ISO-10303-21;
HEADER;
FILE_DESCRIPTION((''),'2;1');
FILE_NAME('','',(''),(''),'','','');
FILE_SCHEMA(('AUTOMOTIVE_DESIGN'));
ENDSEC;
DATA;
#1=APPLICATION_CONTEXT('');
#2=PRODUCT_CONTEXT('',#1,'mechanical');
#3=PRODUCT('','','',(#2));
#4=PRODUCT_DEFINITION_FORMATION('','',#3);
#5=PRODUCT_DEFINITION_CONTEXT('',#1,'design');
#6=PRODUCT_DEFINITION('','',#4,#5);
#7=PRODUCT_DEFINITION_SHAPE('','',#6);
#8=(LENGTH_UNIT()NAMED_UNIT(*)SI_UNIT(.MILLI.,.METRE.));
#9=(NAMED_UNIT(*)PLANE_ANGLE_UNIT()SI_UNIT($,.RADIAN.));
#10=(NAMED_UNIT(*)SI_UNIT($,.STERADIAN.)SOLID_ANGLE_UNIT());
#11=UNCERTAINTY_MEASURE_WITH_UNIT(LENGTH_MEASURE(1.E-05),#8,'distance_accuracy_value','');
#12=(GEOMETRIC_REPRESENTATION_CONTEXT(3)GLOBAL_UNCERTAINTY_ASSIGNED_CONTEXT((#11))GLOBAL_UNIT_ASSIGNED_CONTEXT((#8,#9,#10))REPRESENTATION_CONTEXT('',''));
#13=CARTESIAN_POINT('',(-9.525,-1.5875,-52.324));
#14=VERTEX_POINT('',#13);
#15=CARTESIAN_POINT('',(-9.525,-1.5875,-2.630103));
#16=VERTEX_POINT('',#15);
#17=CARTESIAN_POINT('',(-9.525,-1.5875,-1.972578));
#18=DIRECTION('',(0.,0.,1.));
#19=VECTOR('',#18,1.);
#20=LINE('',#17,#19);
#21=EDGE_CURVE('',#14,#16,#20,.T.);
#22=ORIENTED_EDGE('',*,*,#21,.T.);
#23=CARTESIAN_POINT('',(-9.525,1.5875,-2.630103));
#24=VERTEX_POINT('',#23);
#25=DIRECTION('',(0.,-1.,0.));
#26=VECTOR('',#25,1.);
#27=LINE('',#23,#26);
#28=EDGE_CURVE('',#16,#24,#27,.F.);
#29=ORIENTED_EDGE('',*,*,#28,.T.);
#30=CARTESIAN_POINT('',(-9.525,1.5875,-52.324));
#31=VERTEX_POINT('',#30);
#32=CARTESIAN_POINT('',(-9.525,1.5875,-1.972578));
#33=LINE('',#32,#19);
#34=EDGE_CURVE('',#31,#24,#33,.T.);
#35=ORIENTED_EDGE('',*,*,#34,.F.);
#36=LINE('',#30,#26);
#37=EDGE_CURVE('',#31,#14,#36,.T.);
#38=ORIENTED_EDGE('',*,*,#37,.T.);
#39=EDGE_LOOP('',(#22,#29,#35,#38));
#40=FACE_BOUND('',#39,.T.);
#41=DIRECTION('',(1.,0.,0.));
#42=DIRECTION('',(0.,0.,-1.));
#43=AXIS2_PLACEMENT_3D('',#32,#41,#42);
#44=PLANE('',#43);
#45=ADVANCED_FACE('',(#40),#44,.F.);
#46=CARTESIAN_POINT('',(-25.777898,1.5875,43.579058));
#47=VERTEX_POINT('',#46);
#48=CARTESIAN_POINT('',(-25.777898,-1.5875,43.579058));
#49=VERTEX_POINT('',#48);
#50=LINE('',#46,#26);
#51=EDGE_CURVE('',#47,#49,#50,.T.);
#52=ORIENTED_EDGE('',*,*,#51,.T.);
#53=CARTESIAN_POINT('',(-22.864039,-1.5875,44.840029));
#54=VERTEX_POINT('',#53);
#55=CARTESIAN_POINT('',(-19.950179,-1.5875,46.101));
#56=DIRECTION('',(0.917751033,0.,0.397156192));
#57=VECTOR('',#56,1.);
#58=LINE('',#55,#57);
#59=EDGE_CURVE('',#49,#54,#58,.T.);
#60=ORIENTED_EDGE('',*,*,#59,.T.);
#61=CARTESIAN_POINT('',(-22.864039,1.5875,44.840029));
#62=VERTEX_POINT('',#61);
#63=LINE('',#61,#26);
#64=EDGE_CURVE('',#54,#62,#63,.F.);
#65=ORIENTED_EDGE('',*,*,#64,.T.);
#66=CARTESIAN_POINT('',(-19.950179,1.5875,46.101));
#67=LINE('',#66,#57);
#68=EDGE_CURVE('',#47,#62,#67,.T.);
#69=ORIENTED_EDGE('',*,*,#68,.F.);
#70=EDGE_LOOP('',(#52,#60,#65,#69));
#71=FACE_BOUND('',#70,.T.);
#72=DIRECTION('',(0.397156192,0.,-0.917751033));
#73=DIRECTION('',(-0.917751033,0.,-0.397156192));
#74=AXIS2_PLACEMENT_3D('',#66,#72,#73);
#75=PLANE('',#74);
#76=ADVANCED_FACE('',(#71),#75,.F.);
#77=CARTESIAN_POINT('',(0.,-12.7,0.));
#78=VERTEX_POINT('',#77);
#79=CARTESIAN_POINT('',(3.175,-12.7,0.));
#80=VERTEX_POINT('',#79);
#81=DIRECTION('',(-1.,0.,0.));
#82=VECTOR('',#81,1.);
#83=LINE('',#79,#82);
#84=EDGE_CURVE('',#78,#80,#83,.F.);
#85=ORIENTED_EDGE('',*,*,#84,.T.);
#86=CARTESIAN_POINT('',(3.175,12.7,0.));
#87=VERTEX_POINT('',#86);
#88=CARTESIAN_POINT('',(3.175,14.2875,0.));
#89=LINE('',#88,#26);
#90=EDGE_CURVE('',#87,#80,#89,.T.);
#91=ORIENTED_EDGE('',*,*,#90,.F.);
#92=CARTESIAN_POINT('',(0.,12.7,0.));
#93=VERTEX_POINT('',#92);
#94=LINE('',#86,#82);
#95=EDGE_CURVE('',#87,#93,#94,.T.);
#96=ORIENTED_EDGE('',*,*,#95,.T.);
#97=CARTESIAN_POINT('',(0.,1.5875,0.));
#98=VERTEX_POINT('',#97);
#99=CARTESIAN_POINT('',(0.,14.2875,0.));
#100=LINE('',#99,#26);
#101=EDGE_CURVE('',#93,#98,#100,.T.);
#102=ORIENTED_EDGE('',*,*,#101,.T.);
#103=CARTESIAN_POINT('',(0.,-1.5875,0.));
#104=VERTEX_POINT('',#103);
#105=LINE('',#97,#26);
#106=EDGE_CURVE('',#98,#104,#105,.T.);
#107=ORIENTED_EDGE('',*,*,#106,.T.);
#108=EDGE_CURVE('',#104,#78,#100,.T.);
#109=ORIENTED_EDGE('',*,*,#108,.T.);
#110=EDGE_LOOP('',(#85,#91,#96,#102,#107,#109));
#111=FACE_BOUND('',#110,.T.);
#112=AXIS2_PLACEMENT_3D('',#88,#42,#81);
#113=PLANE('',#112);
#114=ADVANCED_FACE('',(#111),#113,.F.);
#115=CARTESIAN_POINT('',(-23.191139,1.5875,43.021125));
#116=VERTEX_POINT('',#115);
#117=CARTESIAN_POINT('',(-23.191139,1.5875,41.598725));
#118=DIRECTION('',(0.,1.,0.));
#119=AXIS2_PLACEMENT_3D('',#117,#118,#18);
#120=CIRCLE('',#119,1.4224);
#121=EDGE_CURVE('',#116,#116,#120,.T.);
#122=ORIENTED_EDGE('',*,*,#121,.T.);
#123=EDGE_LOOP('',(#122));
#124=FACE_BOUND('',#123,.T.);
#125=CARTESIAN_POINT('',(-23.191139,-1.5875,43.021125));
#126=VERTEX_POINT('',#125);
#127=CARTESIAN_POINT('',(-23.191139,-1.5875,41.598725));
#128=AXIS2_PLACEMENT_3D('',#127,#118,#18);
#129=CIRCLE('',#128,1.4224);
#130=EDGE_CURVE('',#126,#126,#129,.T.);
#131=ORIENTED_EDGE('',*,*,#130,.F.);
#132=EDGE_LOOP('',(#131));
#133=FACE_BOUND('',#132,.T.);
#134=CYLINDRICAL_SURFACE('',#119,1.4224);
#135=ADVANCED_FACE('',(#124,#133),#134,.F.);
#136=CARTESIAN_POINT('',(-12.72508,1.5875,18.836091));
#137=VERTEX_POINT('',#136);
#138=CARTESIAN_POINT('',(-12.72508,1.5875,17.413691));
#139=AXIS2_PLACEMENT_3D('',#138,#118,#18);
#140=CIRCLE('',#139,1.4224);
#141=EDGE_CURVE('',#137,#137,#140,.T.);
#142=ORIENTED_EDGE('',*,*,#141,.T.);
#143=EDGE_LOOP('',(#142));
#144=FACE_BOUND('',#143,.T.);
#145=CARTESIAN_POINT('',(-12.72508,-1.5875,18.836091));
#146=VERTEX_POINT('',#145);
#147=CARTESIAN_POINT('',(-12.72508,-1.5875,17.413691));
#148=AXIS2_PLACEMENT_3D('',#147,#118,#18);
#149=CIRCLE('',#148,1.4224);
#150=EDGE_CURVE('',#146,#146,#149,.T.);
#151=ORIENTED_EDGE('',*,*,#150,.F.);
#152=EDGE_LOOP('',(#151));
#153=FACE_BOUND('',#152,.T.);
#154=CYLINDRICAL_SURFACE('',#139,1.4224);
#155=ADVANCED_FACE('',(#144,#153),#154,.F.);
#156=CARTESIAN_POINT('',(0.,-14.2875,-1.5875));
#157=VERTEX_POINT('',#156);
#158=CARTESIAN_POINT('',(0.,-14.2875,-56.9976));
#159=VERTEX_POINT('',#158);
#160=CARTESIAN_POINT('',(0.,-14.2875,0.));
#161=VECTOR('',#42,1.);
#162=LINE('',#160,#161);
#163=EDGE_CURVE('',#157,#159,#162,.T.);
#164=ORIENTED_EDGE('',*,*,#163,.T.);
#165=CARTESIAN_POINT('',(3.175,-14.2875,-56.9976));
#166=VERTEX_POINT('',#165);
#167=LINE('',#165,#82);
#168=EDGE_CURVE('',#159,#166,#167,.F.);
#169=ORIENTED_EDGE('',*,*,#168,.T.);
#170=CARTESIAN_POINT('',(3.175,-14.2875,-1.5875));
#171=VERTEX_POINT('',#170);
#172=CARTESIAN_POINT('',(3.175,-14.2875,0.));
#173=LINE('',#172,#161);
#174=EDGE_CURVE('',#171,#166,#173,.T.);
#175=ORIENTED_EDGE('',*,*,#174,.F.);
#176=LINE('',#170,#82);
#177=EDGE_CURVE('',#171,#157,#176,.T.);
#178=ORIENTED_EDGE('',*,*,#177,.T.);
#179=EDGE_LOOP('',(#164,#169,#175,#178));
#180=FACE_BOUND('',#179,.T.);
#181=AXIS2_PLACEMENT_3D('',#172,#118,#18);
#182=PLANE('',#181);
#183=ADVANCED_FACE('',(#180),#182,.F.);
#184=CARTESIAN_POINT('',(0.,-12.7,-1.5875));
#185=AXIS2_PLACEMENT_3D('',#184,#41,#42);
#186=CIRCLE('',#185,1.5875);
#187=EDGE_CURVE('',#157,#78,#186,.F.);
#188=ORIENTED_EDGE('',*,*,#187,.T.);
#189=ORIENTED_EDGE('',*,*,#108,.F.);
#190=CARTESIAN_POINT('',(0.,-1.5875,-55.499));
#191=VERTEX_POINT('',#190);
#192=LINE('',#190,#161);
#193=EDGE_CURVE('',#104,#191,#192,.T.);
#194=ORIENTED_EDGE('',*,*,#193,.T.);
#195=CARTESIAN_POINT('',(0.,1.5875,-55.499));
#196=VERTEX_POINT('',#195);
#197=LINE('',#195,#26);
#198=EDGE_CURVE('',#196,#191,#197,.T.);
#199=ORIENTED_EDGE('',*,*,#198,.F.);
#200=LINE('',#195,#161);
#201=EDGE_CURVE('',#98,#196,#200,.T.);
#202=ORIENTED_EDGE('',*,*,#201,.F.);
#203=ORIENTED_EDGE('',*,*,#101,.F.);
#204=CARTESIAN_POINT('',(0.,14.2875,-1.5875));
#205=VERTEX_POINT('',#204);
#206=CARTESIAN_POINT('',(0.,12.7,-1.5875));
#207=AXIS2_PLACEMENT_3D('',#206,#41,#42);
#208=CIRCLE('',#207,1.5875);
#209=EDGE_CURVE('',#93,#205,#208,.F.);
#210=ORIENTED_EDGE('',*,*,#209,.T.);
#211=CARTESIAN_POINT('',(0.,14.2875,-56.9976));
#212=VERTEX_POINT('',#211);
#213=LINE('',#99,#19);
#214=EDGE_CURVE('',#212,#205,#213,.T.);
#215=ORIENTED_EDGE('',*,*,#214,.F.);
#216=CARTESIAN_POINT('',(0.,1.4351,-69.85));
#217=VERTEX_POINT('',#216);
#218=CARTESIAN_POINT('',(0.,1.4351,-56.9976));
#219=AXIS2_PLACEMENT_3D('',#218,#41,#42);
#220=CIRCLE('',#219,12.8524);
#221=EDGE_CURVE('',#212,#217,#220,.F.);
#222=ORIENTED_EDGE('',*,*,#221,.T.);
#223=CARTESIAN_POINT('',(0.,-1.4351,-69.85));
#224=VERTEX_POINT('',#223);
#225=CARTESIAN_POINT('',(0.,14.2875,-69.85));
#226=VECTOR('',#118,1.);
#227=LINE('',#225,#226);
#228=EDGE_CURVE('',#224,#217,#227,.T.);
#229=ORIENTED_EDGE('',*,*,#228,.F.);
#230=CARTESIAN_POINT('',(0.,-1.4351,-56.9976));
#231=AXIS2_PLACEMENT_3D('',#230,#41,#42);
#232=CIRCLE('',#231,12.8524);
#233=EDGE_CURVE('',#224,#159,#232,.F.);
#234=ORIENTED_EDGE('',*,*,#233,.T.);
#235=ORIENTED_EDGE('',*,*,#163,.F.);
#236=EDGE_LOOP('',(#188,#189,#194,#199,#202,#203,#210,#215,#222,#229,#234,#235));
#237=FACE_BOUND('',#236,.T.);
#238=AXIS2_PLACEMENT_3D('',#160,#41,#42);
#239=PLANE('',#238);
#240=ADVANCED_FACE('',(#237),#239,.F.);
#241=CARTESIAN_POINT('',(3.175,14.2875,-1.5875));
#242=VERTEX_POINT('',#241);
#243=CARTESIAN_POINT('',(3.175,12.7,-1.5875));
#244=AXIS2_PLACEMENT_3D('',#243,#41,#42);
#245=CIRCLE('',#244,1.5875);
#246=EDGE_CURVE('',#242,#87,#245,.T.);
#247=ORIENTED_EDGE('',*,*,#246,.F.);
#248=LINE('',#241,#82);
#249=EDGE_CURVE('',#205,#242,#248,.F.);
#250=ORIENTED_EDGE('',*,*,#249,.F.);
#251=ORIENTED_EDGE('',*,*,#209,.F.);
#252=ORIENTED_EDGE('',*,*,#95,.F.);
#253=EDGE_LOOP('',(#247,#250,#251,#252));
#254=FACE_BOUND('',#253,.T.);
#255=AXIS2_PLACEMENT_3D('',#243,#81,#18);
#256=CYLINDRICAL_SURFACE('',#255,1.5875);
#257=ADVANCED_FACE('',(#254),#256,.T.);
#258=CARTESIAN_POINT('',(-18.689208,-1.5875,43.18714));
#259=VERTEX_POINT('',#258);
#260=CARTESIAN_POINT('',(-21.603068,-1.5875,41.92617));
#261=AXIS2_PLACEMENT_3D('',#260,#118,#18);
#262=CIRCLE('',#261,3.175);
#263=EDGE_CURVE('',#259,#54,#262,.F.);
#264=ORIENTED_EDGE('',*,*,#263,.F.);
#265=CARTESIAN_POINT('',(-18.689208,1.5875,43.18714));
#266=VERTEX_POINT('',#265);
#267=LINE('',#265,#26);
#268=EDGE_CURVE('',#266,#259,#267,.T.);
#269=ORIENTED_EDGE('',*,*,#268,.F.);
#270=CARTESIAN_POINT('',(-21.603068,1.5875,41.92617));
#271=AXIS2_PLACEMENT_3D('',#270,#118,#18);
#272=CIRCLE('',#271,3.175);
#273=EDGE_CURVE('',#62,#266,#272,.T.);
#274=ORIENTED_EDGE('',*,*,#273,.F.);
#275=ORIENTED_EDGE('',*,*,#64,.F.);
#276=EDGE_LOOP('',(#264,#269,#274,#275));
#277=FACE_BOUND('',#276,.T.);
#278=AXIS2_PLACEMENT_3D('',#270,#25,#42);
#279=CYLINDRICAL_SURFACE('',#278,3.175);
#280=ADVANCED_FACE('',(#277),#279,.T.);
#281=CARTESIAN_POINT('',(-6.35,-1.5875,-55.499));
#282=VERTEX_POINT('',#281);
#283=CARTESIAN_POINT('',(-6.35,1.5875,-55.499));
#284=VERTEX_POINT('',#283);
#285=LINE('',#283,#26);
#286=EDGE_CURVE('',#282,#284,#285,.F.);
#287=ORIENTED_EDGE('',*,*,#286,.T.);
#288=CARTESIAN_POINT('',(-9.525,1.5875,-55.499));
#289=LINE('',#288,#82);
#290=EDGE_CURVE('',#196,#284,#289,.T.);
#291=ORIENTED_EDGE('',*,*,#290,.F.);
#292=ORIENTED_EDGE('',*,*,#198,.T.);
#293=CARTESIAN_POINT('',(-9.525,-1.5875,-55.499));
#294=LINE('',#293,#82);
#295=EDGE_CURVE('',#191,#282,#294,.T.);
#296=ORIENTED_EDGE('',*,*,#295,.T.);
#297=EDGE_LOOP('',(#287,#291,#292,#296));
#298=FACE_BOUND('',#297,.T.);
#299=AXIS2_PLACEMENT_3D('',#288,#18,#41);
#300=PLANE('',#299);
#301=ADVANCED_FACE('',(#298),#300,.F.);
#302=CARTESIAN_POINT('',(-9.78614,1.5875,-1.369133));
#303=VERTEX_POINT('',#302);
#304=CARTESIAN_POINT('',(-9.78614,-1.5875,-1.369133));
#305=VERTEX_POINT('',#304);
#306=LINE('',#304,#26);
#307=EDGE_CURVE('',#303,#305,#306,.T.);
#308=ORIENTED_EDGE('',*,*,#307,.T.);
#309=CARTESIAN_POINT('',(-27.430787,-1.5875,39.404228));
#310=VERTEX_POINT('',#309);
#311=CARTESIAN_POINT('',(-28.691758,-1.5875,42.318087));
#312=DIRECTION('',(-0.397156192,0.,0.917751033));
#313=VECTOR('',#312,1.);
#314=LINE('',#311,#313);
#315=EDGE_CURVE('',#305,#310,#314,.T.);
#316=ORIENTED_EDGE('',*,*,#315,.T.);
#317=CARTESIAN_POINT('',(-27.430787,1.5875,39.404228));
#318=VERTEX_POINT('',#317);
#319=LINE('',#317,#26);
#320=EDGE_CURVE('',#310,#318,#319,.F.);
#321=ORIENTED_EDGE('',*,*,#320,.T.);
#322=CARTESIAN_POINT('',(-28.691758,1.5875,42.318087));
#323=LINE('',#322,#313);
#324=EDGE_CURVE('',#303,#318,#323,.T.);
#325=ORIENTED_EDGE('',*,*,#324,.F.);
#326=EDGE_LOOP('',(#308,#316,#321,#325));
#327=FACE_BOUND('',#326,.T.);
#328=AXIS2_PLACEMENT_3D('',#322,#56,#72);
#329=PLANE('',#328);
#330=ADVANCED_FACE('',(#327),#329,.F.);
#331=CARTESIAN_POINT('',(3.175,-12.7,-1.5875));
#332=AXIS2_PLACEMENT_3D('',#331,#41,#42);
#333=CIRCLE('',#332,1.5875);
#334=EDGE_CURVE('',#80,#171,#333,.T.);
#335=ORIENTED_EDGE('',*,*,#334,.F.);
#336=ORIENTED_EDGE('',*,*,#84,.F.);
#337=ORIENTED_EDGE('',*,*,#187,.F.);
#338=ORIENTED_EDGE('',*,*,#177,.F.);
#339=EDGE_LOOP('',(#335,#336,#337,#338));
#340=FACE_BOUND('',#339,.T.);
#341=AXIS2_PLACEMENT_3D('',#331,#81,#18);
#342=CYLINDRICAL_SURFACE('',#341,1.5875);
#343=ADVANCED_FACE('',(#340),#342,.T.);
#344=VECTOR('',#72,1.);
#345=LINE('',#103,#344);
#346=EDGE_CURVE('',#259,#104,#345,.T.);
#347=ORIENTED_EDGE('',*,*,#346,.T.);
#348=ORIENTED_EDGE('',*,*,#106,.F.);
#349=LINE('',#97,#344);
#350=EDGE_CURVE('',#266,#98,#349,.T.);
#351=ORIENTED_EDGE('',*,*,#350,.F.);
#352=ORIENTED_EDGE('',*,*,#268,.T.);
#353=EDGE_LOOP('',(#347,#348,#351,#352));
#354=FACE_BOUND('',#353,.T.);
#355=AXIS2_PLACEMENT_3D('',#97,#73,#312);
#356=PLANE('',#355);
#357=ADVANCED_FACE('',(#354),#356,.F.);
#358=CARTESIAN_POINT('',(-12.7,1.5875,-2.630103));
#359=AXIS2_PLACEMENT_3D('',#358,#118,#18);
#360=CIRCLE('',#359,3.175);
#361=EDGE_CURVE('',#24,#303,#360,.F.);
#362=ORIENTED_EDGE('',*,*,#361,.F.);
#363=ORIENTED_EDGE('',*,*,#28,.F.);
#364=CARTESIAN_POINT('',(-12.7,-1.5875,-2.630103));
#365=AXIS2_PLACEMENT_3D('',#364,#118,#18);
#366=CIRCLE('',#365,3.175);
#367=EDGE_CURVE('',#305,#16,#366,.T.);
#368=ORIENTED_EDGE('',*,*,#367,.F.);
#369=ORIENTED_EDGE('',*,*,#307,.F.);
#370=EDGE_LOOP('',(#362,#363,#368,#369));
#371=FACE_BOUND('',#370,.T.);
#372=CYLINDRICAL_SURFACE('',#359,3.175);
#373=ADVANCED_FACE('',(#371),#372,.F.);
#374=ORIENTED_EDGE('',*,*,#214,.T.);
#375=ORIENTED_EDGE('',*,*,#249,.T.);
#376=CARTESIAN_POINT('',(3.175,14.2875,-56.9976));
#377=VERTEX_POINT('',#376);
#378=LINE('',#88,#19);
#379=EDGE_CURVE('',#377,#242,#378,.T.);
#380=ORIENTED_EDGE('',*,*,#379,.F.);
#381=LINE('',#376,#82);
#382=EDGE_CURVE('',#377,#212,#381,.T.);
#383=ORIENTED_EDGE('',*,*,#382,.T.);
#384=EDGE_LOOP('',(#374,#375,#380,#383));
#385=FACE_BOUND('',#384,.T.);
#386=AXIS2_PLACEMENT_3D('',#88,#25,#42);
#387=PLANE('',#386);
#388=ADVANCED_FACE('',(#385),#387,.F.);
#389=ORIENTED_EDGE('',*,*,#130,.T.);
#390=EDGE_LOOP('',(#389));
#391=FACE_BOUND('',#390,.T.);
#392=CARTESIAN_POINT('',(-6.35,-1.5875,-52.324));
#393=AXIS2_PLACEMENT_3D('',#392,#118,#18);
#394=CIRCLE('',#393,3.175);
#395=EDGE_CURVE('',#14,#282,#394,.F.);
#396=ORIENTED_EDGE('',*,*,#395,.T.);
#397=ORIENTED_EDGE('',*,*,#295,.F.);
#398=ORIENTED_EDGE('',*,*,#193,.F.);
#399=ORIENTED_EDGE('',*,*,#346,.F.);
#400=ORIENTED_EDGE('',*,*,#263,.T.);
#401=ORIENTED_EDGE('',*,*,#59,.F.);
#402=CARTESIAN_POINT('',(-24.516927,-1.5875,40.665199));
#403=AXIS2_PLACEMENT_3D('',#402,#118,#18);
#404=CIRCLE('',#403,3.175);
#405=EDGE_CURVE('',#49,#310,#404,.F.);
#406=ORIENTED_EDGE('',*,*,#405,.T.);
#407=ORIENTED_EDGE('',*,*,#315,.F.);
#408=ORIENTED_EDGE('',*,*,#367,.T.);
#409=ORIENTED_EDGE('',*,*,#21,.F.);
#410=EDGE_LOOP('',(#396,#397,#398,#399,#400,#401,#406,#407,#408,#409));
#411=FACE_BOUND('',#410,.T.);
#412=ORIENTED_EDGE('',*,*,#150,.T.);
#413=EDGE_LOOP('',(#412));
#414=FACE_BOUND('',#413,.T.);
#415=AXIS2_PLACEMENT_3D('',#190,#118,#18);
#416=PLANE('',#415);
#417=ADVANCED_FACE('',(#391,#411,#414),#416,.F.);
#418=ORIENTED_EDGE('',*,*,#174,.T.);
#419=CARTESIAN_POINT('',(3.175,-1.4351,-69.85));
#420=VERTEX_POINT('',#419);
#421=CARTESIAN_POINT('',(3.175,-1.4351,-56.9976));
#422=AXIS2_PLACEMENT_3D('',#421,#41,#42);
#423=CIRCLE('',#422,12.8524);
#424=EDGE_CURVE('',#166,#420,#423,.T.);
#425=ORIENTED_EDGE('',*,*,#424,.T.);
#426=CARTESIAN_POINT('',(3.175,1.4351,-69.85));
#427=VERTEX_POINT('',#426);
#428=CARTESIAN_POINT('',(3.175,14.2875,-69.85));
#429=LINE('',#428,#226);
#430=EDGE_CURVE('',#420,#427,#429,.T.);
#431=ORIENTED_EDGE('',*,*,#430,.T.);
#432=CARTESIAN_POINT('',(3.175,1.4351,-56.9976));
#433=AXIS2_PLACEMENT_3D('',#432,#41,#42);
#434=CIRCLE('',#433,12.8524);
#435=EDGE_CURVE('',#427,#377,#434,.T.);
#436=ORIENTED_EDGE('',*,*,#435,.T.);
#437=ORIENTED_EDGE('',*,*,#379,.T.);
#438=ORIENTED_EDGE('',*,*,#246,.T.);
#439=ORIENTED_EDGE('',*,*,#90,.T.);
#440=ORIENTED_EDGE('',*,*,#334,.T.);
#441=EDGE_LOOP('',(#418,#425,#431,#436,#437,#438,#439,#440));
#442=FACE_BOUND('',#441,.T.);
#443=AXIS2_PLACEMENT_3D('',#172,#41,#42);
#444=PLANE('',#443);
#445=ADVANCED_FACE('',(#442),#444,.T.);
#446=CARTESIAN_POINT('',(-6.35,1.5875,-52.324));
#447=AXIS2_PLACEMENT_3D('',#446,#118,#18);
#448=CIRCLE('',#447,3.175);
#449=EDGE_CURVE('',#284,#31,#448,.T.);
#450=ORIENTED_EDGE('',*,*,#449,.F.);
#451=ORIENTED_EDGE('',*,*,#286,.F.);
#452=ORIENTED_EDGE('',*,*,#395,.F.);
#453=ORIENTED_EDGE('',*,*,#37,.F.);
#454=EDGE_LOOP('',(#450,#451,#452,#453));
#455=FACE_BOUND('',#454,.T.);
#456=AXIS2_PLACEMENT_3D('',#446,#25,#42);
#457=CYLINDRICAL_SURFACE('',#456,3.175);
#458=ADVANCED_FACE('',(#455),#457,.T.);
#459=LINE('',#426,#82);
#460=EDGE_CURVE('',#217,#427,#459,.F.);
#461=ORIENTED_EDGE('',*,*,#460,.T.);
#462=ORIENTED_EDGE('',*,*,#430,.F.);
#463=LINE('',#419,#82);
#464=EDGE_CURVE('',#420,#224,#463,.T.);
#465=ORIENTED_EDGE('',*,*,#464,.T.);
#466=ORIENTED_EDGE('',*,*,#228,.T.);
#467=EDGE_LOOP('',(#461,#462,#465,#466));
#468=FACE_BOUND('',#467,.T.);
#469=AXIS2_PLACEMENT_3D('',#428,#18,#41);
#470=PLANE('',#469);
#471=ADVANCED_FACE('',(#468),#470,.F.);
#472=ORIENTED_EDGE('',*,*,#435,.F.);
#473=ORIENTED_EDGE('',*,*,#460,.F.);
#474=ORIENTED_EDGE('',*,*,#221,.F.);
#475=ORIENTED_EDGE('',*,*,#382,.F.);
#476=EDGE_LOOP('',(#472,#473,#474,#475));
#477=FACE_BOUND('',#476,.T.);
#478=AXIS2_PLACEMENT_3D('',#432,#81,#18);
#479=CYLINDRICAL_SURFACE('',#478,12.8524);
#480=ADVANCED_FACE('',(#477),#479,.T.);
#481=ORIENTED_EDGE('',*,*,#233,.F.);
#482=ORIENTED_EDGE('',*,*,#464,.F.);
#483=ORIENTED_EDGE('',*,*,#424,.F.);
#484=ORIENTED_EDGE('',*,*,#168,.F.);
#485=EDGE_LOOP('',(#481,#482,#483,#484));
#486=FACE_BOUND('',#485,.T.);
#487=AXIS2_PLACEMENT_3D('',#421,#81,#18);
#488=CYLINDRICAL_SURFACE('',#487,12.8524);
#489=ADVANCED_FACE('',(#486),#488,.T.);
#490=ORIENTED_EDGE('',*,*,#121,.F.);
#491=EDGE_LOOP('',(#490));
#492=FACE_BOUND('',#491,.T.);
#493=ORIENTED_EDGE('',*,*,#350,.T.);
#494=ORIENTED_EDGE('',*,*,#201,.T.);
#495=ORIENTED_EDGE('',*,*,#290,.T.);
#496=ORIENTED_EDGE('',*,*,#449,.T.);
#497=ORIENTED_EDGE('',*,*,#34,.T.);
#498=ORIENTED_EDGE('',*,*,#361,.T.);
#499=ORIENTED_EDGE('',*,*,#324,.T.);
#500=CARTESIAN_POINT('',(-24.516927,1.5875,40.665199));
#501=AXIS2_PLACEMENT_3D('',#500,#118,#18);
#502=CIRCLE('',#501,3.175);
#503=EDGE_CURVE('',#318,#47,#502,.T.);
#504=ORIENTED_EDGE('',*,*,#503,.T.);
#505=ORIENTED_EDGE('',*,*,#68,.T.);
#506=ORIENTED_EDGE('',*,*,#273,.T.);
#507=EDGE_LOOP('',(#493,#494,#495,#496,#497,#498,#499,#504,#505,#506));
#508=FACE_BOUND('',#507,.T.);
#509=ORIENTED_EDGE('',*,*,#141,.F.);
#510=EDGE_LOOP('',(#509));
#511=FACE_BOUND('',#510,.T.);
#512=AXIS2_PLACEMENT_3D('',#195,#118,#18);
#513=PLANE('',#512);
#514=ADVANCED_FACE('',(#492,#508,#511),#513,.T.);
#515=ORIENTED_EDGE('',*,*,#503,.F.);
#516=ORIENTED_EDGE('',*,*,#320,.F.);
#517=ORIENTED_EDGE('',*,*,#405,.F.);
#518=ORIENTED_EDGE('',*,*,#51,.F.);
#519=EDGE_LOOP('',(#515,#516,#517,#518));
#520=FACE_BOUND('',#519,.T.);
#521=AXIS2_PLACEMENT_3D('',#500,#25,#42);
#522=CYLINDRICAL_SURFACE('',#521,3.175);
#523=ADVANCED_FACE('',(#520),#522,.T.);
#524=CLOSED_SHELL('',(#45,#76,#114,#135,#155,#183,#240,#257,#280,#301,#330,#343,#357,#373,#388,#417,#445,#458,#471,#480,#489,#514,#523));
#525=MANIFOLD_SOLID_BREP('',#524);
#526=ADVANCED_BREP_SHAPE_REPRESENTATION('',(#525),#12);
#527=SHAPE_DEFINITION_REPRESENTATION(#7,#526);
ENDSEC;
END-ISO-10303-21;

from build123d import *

# Parameters (mm, degrees)
SKETCH1_W           = 69.85
SKETCH1_H           = 28.575
BOSS_EXTRUDE1_DEPTH = 3.175
FILLET1_R           = 12.8524
BOSS_EXTRUDE2_DEPTH = 1.5875
FILLET2_R           = 1.5875
FILLET3_R           = 3.175
HOLE1_D             = 2.8448
LPATTERN1_COUNT     = 2
LPATTERN1_PITCH     = 26.3525


with BuildPart() as part:
    # Sketch1 → Boss-Extrude1 (new body)
    with BuildSketch(Plane(origin=(0, 0, 0), x_dir=(0, 0, -1), z_dir=(1, 0, 0))):
        with Locations((34.925, 0)):
            Rectangle(SKETCH1_W, SKETCH1_H)
    extrude(amount=BOSS_EXTRUDE1_DEPTH)

    # Fillet1
    fillet1_edges = [part.edges().sort_by_distance(p)[0] for p in [
        (1.5875, 14.2875, -69.85),
        (1.5875, -14.2875, -69.85),
    ]]
    fillet(fillet1_edges, radius=FILLET1_R)

    # Sketch4 → Boss-Extrude2 (add, symmetric)
    with BuildSketch(Plane(origin=(0, 0, 0), x_dir=(1, 0, 0), z_dir=(0, 1, 0))):
        Polygon((0, 0), (-19.950179226, -46.101), (-28.691757819, -42.318087272), (-9.525, 1.972577598), (-9.525, 55.499), (0, 55.499), align=None)
    extrude(amount=BOSS_EXTRUDE2_DEPTH, both=True)

    # Fillet2
    fillet2_edges = [part.edges().sort_by_distance(p)[0] for p in [
        (1.5875, -14.2875, 0),
        (1.5875, 14.2875, 0),
    ]]
    fillet(fillet2_edges, radius=FILLET2_R)

    # Fillet3
    fillet3_edges = [part.edges().sort_by_distance(p)[0] for p in [
        (-9.525, 0, -55.499),
        (-9.525, 0, -1.972577598),
        (-19.950179226, 0, 46.101),
        (-28.691757819, 0, 42.318087272),
    ]]
    fillet(fillet3_edges, radius=FILLET3_R)

    # Hole1 (through all)
    with Locations(Plane(origin=(0, 1.5875, 0), x_dir=(-1, 0, 0), z_dir=(0, 1, 0))):
        with Locations((23.191138588, 41.598725496)):
            hole1 = Hole(HOLE1_D / 2)

    # LPattern1: Hole1 ×2
    with Locations(*[Vector(0.397156192, 0, -0.917751033) * (i * LPATTERN1_PITCH) for i in range(1, LPATTERN1_COUNT)]):
        add(hole1, mode=Mode.SUBTRACT)


solid = part.part
